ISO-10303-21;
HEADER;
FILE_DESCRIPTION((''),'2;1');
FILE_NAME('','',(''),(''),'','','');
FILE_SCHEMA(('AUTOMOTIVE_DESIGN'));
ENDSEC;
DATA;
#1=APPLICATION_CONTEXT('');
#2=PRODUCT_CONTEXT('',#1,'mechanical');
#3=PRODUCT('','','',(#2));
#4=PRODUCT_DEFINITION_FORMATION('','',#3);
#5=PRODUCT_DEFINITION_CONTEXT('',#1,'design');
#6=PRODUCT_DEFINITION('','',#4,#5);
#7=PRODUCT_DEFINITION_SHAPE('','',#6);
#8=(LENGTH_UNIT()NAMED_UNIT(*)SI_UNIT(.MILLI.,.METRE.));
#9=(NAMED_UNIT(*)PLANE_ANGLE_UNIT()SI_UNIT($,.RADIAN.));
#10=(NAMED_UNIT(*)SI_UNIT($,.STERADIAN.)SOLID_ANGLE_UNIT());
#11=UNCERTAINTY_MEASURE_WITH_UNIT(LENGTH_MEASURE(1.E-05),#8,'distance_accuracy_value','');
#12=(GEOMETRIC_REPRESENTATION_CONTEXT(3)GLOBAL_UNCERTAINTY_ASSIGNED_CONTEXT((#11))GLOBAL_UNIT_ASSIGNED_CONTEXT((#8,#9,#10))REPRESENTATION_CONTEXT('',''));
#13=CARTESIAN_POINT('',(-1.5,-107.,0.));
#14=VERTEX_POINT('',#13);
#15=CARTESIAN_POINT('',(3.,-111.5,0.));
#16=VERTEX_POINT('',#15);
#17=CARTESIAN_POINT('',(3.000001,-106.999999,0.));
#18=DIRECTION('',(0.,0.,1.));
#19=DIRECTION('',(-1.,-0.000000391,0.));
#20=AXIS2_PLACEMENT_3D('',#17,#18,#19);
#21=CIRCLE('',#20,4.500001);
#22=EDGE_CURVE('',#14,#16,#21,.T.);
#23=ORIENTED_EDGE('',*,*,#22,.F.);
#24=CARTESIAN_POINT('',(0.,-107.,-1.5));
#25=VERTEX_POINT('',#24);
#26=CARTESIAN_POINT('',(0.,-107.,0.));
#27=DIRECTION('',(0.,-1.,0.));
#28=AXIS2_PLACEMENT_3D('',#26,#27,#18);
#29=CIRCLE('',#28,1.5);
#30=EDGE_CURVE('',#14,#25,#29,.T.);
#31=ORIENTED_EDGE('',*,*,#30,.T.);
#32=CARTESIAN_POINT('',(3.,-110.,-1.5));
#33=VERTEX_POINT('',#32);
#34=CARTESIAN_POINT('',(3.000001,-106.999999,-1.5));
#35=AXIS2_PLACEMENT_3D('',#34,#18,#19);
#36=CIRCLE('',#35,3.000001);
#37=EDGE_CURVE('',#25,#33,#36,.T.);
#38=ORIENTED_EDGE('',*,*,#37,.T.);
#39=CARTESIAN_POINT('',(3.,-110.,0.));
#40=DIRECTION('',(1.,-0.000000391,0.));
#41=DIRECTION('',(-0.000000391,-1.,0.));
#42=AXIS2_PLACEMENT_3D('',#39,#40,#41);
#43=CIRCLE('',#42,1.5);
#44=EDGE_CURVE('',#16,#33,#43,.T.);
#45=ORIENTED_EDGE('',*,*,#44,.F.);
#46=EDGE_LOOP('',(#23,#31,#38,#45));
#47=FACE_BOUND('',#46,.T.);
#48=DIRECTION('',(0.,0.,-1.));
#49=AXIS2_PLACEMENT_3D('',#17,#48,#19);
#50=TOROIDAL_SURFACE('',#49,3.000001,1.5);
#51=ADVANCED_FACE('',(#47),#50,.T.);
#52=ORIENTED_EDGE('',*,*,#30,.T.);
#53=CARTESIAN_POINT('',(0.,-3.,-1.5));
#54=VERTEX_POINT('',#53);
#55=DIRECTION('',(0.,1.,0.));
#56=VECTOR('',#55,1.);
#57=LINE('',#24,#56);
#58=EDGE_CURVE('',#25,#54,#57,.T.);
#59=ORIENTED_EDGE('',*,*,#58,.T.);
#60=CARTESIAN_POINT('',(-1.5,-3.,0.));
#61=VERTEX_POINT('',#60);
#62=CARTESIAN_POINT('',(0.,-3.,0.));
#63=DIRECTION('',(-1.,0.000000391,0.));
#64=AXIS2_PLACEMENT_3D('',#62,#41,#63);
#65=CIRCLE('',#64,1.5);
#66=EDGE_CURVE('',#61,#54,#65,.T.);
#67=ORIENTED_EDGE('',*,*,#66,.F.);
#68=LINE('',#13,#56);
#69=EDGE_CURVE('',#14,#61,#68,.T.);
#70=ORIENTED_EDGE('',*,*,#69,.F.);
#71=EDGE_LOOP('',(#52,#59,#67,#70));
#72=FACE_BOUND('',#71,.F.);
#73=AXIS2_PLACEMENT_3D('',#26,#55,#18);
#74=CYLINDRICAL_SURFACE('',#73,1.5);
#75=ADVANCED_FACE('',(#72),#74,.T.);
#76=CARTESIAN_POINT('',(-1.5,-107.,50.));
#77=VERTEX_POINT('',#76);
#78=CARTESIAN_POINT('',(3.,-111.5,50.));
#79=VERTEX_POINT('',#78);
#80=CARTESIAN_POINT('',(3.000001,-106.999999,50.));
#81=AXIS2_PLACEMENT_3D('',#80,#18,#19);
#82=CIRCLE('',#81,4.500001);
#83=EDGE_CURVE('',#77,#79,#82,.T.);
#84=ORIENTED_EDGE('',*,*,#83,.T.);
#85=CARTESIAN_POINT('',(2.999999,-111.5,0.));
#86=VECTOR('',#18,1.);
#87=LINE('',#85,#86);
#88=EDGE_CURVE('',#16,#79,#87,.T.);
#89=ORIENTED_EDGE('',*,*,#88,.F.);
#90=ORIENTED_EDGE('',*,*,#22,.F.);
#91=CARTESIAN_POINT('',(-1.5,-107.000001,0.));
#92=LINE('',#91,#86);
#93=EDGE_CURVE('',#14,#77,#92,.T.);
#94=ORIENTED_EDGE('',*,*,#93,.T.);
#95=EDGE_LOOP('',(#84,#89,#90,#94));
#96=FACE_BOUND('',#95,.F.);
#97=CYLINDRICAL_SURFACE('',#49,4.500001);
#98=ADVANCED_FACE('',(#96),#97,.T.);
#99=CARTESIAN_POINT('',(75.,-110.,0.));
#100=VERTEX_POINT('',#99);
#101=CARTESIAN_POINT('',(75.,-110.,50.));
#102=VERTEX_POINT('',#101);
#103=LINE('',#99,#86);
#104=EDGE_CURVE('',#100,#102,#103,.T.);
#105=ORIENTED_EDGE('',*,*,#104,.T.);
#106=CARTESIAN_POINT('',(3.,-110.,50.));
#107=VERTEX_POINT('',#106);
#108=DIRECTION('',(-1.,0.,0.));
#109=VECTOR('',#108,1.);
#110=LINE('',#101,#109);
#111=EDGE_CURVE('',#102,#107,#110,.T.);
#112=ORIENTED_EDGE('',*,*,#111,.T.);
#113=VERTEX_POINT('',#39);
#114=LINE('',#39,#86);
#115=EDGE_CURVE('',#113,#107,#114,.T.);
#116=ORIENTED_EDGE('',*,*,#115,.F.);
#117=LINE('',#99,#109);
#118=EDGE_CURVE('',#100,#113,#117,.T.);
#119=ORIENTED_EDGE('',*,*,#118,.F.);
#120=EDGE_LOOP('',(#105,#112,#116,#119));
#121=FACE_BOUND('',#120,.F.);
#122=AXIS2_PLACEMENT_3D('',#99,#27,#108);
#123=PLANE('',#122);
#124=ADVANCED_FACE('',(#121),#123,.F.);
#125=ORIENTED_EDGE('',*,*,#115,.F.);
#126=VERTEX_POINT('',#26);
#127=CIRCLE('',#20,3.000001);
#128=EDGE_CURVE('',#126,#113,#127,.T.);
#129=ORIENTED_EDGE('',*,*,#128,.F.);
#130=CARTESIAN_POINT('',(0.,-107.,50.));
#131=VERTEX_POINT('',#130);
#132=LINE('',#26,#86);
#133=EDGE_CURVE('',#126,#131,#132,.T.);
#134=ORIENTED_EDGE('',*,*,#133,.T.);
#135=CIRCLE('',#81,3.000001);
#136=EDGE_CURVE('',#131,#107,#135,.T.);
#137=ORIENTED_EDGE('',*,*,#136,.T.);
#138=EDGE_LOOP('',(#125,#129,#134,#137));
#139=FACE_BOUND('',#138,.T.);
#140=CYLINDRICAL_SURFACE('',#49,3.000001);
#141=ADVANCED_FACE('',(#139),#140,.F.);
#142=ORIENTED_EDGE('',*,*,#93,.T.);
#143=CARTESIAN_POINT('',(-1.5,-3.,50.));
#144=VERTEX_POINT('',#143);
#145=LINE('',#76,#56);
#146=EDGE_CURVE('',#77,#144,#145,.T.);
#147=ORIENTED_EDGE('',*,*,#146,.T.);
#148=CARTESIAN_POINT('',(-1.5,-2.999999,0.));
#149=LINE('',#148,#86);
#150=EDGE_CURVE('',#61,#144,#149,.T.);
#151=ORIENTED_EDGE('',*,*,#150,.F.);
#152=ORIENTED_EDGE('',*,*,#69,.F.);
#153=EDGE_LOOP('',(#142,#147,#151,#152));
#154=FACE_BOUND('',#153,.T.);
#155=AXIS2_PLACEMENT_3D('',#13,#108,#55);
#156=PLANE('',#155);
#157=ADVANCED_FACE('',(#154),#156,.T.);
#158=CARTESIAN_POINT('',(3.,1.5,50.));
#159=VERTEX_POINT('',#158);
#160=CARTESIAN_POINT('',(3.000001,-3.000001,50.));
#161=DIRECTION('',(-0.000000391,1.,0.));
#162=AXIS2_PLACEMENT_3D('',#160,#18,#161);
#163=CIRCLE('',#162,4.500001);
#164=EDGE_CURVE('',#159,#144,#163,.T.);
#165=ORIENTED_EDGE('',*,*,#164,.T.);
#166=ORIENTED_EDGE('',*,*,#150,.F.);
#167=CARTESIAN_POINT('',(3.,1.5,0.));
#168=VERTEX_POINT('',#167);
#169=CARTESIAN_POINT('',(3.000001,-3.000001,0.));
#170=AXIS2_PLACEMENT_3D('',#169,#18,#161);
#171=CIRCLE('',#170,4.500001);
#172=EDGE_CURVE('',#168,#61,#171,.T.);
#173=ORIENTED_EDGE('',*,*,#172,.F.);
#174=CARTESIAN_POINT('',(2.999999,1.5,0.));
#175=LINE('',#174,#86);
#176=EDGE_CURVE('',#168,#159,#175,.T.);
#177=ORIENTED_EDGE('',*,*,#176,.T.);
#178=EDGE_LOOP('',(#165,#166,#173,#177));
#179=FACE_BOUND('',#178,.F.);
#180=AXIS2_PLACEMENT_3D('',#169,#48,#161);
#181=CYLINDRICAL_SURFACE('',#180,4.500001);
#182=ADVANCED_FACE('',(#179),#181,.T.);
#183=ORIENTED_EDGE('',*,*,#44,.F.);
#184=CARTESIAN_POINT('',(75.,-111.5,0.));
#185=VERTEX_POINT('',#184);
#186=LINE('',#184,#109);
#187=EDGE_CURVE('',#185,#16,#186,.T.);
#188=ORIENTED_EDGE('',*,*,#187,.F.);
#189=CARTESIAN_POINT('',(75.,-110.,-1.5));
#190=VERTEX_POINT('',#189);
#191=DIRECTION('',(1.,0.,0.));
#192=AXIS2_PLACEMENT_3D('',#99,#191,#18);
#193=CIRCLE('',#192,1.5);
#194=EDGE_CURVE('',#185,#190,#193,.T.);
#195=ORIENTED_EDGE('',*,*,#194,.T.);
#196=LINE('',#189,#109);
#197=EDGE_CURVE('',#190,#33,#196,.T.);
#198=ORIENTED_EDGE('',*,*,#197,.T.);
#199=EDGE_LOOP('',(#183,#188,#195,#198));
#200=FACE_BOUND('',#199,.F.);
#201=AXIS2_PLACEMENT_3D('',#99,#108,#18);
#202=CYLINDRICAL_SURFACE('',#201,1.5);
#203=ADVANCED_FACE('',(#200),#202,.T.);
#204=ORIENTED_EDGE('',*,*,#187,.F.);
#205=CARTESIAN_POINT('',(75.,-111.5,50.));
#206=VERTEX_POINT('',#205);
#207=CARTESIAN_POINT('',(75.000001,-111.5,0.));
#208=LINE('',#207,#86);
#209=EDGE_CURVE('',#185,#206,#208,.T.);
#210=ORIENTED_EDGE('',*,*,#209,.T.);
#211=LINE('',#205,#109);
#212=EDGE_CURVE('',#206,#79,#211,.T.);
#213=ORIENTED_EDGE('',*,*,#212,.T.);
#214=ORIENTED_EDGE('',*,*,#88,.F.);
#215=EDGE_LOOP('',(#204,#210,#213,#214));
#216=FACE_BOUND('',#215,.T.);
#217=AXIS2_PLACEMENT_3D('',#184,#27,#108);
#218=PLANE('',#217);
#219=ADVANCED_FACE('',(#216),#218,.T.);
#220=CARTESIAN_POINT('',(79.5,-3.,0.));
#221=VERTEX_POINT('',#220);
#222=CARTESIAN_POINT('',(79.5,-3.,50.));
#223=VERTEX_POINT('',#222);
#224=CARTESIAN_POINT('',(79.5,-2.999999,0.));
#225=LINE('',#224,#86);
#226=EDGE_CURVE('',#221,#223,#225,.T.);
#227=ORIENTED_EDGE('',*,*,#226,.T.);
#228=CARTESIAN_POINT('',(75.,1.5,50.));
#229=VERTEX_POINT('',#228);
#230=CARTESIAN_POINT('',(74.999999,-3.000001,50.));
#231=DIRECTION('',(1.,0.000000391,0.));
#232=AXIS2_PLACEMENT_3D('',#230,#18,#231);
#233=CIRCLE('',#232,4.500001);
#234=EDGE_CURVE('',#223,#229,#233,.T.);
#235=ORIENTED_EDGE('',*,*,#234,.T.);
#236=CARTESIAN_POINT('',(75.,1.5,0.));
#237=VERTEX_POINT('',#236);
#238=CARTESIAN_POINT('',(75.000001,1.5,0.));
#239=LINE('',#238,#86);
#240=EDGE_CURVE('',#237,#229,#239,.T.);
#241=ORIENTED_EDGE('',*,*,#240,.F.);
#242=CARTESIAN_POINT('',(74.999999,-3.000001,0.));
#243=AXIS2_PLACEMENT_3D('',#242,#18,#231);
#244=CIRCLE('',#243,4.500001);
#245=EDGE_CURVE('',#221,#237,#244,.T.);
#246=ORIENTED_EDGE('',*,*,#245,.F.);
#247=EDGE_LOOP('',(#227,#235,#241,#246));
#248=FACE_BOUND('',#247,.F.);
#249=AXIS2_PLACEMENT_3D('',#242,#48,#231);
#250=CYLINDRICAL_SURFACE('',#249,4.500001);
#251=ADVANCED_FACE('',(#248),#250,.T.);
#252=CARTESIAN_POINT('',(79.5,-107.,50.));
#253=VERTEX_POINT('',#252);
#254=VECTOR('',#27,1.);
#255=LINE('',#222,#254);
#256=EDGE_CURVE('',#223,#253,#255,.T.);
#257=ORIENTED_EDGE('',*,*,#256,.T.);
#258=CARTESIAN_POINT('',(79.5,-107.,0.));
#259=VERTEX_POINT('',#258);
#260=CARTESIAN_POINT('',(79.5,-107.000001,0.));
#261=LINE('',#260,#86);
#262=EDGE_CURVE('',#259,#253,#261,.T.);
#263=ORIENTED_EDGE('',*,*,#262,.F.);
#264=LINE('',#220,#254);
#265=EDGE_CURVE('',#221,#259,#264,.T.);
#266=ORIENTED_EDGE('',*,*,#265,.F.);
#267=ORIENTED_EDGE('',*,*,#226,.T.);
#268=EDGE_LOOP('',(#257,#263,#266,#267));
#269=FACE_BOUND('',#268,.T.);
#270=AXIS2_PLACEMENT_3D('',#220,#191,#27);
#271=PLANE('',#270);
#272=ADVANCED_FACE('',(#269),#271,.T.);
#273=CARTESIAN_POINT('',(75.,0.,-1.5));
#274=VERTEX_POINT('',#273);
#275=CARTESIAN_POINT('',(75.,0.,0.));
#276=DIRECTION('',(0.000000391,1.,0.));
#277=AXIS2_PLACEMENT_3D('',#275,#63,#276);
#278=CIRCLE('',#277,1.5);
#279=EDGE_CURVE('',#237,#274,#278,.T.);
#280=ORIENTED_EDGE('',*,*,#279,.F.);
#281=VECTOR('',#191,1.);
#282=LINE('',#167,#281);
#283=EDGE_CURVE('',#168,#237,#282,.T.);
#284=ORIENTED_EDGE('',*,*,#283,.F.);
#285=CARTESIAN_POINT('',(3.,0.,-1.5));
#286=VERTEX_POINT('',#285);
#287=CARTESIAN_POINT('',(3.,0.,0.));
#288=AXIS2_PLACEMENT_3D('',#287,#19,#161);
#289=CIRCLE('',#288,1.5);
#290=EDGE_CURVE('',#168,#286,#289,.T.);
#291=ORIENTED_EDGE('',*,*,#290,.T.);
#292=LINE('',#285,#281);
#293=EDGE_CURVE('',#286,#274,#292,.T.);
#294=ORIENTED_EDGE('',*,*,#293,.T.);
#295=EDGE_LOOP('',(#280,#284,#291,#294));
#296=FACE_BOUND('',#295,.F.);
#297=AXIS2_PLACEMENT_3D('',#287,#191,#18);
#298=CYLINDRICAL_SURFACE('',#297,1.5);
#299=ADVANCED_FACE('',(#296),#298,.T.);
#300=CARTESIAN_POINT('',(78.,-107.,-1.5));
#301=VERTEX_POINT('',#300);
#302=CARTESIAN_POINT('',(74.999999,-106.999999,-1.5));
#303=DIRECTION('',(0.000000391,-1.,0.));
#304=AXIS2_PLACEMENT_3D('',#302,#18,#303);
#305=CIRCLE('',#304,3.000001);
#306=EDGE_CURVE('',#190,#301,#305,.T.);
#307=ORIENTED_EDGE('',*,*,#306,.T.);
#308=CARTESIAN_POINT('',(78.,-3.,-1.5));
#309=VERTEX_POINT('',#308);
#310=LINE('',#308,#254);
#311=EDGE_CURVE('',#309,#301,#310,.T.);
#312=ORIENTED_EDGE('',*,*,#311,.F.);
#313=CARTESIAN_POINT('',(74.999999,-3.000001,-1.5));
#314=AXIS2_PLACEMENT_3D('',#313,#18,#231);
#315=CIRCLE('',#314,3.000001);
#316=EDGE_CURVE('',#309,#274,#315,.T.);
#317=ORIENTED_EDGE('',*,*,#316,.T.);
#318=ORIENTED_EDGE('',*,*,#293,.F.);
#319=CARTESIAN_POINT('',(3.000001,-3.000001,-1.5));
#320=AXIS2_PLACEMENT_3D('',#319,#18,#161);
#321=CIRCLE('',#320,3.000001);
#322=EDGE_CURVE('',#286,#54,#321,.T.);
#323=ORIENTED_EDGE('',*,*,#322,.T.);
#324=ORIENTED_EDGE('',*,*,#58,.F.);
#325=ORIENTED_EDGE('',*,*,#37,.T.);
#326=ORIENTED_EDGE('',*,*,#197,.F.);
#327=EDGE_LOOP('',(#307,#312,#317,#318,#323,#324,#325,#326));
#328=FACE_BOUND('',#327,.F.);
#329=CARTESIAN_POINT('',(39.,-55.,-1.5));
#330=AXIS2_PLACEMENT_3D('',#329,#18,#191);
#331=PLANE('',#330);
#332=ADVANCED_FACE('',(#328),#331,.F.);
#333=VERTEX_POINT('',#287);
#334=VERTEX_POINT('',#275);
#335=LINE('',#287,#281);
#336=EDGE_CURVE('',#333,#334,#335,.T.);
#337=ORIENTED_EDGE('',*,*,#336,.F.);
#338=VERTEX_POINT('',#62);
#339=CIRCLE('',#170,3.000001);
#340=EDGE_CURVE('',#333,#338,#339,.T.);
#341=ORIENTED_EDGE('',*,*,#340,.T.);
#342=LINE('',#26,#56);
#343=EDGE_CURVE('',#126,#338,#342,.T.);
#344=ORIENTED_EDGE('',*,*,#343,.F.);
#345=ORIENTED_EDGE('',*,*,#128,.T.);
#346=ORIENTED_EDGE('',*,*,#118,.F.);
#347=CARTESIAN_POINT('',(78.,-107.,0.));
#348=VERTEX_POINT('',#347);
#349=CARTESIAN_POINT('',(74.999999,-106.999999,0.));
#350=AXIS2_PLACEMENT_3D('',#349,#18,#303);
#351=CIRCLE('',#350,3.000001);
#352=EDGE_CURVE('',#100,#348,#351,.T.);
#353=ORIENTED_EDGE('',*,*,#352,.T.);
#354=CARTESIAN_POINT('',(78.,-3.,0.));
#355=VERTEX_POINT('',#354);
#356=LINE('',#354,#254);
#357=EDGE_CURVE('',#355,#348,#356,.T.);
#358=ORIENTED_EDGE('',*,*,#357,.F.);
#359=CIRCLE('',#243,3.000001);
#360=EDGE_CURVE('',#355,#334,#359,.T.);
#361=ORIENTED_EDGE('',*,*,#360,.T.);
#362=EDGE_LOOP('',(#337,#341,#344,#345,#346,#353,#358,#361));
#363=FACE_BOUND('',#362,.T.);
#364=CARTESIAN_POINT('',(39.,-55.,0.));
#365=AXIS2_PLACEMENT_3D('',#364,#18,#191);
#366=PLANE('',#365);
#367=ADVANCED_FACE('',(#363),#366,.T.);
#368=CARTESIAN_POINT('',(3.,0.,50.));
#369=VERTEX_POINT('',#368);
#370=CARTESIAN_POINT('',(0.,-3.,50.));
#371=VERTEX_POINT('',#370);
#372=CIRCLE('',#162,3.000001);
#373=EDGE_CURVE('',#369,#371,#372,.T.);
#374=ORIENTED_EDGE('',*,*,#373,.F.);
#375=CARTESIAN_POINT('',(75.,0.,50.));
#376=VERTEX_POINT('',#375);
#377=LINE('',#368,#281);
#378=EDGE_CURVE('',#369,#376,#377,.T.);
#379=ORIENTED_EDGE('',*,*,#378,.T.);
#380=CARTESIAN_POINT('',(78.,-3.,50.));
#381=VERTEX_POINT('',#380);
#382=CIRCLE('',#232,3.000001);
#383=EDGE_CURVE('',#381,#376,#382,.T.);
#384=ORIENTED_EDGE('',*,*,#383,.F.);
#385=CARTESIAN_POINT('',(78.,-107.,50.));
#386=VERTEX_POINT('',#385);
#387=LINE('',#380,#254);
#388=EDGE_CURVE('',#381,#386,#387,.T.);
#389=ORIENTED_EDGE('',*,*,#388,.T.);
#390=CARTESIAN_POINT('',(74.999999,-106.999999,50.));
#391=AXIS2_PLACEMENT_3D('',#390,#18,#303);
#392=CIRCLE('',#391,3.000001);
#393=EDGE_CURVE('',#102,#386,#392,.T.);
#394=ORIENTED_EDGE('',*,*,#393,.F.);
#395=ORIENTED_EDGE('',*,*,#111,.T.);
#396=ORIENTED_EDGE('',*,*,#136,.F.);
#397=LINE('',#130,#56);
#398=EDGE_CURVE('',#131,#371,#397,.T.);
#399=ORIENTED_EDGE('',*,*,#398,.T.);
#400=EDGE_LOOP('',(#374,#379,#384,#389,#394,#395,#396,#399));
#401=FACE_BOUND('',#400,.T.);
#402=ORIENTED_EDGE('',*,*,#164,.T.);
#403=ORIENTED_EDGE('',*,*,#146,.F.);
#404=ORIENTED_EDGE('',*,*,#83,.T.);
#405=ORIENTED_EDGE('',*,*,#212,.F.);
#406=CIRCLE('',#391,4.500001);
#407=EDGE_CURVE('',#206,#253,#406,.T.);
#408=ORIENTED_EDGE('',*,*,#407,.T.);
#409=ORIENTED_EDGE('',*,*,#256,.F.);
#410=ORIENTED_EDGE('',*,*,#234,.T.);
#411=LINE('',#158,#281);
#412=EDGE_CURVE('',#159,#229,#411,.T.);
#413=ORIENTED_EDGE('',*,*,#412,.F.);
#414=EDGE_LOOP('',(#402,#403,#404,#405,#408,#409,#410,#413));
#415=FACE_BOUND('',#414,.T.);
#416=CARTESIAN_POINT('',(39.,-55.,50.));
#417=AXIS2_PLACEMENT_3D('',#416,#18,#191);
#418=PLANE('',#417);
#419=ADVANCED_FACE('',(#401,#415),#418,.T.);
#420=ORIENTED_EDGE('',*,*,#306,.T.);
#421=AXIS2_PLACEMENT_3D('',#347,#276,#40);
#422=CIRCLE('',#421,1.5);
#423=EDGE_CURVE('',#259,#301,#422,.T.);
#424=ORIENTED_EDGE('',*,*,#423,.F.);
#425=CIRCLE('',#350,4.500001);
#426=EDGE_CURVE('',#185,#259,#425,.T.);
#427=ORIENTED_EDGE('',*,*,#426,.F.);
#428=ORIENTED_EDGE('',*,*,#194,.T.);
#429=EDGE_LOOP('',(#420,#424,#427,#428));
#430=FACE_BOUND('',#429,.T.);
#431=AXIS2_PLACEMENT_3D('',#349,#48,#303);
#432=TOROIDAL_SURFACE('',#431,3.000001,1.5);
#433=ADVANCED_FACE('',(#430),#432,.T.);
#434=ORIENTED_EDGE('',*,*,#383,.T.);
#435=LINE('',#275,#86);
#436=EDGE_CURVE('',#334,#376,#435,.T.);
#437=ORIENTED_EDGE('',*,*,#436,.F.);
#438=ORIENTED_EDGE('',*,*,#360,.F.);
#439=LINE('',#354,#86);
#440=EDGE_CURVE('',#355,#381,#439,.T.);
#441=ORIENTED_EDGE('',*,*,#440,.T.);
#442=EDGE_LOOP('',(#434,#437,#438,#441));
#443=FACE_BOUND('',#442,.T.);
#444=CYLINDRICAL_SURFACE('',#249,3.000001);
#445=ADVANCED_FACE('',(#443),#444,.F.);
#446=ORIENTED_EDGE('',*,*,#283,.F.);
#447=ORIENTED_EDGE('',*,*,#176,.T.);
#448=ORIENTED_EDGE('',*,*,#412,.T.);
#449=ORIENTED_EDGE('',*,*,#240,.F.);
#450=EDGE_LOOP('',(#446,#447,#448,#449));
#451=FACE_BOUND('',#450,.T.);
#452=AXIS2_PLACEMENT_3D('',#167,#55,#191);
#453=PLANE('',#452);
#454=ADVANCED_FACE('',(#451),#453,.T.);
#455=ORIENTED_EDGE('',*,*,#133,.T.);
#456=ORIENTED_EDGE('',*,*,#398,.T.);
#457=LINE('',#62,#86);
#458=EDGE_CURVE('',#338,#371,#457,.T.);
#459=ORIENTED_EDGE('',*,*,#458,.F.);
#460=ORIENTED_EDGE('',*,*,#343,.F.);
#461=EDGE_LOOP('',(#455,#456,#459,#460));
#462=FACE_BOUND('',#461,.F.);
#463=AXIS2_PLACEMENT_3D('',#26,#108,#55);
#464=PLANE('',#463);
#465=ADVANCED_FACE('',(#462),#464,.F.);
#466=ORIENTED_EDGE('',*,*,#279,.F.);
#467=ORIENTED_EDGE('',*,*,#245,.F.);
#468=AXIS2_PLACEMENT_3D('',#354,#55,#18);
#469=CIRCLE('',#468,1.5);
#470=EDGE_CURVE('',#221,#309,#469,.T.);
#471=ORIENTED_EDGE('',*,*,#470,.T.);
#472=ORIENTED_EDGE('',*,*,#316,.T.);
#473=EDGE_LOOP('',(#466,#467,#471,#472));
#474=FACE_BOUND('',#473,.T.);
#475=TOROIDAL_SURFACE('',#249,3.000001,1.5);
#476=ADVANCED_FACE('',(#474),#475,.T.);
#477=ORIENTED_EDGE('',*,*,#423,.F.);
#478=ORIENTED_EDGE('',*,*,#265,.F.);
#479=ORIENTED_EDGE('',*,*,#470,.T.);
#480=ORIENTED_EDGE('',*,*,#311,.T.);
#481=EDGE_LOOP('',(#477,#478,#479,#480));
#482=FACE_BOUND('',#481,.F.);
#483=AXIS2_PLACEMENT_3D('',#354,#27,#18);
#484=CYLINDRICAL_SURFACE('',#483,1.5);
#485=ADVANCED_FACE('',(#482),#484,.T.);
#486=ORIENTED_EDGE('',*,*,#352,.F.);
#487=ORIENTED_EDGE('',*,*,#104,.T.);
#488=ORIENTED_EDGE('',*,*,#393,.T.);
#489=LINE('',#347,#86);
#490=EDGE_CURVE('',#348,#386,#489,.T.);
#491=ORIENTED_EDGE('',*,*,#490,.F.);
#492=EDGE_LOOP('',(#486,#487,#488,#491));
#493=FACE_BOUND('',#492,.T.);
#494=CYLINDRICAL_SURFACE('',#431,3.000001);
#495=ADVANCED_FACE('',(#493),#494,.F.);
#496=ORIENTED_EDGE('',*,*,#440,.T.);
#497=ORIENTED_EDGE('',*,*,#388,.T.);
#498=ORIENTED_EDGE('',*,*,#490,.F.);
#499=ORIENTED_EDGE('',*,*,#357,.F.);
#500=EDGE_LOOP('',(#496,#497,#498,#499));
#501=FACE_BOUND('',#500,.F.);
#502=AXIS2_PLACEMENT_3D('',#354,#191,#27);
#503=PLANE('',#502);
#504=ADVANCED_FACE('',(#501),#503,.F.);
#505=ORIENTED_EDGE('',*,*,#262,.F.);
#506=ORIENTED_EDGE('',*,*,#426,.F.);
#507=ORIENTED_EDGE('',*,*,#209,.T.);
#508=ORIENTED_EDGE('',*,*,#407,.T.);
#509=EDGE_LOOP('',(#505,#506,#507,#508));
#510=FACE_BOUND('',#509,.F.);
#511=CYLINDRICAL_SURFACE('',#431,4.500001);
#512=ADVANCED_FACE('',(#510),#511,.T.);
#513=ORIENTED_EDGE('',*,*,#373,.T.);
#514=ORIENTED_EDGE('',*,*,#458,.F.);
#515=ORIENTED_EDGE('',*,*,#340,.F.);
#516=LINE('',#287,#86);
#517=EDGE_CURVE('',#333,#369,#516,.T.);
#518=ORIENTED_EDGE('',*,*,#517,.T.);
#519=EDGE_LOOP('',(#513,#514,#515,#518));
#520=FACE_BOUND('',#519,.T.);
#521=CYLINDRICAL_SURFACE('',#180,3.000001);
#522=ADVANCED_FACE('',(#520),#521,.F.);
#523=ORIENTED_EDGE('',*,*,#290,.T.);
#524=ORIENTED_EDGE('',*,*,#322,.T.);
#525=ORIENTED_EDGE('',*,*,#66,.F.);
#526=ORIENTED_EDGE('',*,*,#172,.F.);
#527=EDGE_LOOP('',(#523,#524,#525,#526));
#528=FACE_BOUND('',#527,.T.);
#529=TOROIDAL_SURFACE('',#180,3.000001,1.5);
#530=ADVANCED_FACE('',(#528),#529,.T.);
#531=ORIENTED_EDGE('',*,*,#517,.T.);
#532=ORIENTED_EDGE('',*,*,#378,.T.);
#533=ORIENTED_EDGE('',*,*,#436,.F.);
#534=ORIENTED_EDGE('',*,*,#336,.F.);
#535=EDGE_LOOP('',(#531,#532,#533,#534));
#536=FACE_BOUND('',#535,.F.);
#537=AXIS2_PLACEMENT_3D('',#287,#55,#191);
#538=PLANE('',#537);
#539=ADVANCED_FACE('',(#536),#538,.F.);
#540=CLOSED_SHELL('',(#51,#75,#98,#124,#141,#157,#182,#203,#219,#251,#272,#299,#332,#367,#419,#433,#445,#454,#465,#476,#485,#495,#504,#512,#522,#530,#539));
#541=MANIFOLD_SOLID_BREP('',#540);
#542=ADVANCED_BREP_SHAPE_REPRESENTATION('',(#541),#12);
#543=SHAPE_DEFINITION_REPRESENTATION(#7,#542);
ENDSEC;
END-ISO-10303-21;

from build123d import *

# Parameters (mm, degrees)
PAD_DEPTH   = 50
THICKNESS_T = 1.5


with BuildPart() as part:
    # Sketch → Pad (new body)
    with BuildSketch(Plane.XY):
        with BuildLine():
            ThreePointArc((3, 0), (0.87868, -0.87868), (0, -3))
            Line((0, -107), (0, -3))
            ThreePointArc((0, -107), (0.87868, -109.12132), (3, -110))
            Line((75, -110), (3, -110))
            ThreePointArc((75, -110), (77.12132, -109.12132), (78, -107))
            Line((78, -3), (78, -107))
            ThreePointArc((78, -3), (77.12132, -0.87868), (75, 0))
            Line((3, 0), (75, 0))
        make_face()
    extrude(amount=PAD_DEPTH)

    # Thickness
    thickness_openings = [part.faces().sort_by_distance(p)[0] for p in [
        (39, -55, 50),
    ]]
    offset(amount=THICKNESS_T, openings=thickness_openings)


solid = part.part
